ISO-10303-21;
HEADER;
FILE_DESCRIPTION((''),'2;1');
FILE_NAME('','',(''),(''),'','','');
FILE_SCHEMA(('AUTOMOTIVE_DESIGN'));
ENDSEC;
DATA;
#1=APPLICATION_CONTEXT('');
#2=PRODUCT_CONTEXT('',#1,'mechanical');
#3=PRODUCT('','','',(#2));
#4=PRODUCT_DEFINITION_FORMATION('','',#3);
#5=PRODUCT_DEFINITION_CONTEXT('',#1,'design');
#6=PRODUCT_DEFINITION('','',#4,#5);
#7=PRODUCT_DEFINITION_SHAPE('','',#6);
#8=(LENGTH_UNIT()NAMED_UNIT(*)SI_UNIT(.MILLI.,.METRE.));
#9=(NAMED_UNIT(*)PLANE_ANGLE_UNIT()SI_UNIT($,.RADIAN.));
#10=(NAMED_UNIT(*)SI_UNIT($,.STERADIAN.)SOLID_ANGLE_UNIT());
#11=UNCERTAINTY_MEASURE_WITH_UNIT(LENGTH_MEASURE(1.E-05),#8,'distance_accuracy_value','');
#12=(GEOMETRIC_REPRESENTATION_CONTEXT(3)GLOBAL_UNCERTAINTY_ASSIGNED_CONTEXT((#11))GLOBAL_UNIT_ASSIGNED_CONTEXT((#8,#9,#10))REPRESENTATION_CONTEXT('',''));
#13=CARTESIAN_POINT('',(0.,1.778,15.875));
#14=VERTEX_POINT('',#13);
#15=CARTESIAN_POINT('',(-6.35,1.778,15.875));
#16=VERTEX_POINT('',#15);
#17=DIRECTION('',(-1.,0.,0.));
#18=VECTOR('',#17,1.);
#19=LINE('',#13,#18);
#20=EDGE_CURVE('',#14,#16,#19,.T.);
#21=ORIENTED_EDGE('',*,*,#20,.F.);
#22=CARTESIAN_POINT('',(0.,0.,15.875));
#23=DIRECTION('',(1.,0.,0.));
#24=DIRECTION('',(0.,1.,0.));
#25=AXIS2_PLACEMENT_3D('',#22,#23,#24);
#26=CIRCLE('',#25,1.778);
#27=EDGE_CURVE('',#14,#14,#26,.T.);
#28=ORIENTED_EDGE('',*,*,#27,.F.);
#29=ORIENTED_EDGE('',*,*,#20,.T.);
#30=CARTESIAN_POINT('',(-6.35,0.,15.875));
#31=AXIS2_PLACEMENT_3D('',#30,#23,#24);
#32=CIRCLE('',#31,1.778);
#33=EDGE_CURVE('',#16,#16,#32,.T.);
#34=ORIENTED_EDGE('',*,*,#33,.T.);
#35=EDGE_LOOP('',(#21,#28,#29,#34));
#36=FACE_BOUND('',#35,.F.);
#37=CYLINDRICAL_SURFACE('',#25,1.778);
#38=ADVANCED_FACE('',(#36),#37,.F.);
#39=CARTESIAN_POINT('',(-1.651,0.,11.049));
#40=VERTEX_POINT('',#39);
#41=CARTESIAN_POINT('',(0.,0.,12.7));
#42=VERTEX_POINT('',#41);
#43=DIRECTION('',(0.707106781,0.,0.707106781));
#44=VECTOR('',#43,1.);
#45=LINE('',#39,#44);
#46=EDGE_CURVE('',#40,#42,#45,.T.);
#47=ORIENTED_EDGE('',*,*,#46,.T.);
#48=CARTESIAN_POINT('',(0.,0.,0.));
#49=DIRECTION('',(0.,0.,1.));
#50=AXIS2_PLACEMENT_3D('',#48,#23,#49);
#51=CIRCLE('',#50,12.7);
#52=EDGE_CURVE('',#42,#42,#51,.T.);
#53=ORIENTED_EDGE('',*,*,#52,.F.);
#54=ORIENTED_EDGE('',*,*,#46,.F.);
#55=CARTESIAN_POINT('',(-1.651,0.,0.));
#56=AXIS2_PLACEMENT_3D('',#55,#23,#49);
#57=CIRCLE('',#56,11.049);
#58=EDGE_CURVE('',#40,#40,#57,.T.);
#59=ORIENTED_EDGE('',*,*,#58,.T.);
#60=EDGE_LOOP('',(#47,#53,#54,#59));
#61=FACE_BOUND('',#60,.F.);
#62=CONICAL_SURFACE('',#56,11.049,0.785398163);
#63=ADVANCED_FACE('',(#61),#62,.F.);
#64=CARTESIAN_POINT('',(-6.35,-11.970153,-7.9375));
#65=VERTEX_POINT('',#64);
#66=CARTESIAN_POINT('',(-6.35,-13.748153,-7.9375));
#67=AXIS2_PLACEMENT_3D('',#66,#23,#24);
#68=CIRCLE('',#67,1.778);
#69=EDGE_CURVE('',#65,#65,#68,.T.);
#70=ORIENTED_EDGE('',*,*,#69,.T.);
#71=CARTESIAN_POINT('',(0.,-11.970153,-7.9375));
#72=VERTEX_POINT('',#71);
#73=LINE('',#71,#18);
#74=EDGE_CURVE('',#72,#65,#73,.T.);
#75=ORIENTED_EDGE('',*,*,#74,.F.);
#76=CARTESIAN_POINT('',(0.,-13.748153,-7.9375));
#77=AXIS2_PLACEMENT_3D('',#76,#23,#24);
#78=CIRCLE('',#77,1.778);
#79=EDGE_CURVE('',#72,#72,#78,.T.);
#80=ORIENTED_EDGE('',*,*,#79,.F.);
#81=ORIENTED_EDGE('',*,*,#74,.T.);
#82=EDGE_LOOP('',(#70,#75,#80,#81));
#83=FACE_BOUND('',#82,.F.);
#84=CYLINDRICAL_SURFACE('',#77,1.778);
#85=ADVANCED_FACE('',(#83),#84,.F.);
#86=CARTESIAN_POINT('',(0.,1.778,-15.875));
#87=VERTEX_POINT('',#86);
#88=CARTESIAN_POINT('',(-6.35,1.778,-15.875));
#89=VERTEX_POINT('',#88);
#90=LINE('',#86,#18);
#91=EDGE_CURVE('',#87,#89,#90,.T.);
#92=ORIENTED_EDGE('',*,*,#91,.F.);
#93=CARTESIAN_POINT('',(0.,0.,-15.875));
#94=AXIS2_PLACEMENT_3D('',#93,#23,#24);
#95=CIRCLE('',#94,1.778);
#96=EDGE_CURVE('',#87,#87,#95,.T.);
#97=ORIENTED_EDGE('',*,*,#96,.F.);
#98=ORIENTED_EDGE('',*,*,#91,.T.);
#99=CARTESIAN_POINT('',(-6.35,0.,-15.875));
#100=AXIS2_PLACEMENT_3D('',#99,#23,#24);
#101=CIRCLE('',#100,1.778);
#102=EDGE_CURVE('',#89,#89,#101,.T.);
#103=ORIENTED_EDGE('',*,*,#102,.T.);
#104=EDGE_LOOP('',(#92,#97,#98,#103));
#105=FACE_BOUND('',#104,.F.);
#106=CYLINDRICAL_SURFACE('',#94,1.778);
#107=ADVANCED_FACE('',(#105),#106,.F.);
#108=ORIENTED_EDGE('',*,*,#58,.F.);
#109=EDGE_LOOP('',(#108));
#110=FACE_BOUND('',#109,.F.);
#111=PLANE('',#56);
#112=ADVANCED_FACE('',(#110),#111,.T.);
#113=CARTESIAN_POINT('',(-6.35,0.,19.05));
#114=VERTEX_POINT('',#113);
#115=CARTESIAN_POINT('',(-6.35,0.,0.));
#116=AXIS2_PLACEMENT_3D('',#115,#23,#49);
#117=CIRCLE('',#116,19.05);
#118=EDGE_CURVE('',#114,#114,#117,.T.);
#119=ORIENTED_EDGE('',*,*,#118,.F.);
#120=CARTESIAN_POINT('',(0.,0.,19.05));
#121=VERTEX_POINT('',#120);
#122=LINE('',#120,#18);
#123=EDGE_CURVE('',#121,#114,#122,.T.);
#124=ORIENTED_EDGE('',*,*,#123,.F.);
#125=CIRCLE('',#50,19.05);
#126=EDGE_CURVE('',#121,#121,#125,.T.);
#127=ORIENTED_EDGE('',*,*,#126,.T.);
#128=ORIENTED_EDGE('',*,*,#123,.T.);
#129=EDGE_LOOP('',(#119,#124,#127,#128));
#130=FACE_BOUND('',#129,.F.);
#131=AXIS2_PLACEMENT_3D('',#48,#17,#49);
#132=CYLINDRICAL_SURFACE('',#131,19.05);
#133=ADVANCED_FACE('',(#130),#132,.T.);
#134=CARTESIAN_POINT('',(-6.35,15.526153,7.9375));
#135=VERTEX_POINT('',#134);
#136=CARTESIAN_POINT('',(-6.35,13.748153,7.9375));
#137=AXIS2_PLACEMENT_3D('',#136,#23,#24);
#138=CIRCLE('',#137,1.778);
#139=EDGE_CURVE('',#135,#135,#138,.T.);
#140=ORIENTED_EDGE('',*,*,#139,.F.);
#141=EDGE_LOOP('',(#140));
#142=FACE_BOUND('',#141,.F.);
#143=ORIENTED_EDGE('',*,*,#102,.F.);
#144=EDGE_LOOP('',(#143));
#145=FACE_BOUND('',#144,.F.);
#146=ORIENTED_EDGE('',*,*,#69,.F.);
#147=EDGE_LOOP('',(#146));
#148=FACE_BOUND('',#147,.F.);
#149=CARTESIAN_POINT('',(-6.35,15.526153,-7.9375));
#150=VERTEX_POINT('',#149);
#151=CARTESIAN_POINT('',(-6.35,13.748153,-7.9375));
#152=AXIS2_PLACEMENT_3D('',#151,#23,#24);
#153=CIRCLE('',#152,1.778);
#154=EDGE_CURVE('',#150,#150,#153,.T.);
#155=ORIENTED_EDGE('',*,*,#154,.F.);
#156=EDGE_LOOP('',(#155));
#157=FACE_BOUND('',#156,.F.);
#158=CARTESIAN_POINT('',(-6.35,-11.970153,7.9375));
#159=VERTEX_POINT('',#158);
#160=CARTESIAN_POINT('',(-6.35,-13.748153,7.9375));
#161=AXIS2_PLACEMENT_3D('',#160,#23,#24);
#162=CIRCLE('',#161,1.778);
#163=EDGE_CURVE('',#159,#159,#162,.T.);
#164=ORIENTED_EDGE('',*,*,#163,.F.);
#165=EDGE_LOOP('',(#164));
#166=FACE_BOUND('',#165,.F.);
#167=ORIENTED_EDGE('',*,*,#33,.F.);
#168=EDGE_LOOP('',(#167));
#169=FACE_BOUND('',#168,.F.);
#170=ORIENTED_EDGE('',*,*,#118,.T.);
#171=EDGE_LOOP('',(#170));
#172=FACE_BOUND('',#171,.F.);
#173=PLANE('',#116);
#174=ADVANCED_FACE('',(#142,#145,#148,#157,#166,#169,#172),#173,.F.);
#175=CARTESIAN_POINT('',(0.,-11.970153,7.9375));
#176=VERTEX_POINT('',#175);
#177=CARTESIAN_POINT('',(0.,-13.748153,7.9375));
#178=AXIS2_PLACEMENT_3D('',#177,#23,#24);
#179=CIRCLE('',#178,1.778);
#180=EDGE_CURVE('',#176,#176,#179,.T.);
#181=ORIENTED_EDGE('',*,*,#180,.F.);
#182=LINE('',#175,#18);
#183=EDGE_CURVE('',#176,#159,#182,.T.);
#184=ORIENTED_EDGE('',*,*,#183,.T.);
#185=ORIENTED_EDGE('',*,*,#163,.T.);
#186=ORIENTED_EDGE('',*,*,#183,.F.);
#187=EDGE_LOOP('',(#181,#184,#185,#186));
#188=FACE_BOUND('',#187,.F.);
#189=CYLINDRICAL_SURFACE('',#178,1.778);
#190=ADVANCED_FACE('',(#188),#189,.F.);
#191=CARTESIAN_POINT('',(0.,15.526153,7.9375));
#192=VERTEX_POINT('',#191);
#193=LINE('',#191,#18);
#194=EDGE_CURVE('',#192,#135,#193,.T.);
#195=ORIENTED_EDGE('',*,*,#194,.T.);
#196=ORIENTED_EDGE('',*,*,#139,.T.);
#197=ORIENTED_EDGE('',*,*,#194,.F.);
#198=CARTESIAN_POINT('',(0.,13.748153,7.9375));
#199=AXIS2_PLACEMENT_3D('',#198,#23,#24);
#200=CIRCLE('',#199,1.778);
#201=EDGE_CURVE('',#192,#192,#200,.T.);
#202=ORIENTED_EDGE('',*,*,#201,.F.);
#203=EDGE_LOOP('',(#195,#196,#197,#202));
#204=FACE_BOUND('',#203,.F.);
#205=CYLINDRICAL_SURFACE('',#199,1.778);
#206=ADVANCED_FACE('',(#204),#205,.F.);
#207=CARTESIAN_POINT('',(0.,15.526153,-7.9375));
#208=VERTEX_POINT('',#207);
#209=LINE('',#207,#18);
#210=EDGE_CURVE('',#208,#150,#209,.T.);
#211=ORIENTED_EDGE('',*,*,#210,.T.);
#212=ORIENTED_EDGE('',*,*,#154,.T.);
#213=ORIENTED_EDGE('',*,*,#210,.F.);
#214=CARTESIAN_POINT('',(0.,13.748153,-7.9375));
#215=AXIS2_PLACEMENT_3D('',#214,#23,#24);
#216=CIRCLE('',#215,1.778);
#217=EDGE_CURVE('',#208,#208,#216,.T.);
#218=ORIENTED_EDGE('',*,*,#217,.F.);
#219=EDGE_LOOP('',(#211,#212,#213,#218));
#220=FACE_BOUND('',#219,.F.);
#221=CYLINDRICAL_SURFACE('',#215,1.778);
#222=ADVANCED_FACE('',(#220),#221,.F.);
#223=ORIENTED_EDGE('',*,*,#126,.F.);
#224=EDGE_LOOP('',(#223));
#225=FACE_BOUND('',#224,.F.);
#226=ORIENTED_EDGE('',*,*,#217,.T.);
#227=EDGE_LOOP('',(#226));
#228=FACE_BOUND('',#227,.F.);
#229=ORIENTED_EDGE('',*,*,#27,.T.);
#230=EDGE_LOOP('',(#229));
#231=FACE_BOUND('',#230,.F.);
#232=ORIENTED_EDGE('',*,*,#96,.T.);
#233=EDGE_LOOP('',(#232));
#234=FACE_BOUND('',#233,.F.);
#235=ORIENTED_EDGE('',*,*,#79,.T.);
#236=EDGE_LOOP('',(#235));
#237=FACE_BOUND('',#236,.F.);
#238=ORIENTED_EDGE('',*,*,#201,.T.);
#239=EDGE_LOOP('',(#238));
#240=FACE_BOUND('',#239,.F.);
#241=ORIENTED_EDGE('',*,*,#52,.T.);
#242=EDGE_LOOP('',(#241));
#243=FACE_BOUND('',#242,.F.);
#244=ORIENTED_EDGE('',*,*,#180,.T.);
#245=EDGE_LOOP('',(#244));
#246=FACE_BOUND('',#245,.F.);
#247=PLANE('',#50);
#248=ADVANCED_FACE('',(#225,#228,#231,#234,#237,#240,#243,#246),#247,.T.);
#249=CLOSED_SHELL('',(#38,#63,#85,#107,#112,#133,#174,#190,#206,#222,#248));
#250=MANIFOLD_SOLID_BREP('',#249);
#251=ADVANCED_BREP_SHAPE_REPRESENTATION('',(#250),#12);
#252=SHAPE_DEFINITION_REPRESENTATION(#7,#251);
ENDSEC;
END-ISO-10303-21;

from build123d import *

# Parameters (mm, degrees)
F2_R     = 1.778
F3_DEPTH = 6.351


with BuildPart() as f1:
    # F0 (on Front) → F1 (revolve)
    with BuildSketch(Plane.XZ):
        Polygon((-1.651, 11.049), (0, 12.7), (0, 19.05), (-6.35, 19.05), (-6.35, 0), (-1.651, 0), align=None)
    revolve(axis=Axis((-4.0005, 0, 0), (1, 0, 0)))

    # F2 (on Right) → F3 (cut, through all)
    with BuildSketch(Plane.YZ):
        with Locations((0, 15.875)):
            Circle(F2_R)
        with Locations((-13.748153, 7.9375)):
            Circle(F2_R)
        with Locations((-13.748153, -7.9375)):
            Circle(F2_R)
        with Locations((0, -15.875)):
            Circle(F2_R)
        with Locations((13.748153, -7.9375)):
            Circle(F2_R)
        with Locations((13.748153, 7.9375)):
            Circle(F2_R)
    extrude(amount=-F3_DEPTH, mode=Mode.SUBTRACT)


solid = f1.part
